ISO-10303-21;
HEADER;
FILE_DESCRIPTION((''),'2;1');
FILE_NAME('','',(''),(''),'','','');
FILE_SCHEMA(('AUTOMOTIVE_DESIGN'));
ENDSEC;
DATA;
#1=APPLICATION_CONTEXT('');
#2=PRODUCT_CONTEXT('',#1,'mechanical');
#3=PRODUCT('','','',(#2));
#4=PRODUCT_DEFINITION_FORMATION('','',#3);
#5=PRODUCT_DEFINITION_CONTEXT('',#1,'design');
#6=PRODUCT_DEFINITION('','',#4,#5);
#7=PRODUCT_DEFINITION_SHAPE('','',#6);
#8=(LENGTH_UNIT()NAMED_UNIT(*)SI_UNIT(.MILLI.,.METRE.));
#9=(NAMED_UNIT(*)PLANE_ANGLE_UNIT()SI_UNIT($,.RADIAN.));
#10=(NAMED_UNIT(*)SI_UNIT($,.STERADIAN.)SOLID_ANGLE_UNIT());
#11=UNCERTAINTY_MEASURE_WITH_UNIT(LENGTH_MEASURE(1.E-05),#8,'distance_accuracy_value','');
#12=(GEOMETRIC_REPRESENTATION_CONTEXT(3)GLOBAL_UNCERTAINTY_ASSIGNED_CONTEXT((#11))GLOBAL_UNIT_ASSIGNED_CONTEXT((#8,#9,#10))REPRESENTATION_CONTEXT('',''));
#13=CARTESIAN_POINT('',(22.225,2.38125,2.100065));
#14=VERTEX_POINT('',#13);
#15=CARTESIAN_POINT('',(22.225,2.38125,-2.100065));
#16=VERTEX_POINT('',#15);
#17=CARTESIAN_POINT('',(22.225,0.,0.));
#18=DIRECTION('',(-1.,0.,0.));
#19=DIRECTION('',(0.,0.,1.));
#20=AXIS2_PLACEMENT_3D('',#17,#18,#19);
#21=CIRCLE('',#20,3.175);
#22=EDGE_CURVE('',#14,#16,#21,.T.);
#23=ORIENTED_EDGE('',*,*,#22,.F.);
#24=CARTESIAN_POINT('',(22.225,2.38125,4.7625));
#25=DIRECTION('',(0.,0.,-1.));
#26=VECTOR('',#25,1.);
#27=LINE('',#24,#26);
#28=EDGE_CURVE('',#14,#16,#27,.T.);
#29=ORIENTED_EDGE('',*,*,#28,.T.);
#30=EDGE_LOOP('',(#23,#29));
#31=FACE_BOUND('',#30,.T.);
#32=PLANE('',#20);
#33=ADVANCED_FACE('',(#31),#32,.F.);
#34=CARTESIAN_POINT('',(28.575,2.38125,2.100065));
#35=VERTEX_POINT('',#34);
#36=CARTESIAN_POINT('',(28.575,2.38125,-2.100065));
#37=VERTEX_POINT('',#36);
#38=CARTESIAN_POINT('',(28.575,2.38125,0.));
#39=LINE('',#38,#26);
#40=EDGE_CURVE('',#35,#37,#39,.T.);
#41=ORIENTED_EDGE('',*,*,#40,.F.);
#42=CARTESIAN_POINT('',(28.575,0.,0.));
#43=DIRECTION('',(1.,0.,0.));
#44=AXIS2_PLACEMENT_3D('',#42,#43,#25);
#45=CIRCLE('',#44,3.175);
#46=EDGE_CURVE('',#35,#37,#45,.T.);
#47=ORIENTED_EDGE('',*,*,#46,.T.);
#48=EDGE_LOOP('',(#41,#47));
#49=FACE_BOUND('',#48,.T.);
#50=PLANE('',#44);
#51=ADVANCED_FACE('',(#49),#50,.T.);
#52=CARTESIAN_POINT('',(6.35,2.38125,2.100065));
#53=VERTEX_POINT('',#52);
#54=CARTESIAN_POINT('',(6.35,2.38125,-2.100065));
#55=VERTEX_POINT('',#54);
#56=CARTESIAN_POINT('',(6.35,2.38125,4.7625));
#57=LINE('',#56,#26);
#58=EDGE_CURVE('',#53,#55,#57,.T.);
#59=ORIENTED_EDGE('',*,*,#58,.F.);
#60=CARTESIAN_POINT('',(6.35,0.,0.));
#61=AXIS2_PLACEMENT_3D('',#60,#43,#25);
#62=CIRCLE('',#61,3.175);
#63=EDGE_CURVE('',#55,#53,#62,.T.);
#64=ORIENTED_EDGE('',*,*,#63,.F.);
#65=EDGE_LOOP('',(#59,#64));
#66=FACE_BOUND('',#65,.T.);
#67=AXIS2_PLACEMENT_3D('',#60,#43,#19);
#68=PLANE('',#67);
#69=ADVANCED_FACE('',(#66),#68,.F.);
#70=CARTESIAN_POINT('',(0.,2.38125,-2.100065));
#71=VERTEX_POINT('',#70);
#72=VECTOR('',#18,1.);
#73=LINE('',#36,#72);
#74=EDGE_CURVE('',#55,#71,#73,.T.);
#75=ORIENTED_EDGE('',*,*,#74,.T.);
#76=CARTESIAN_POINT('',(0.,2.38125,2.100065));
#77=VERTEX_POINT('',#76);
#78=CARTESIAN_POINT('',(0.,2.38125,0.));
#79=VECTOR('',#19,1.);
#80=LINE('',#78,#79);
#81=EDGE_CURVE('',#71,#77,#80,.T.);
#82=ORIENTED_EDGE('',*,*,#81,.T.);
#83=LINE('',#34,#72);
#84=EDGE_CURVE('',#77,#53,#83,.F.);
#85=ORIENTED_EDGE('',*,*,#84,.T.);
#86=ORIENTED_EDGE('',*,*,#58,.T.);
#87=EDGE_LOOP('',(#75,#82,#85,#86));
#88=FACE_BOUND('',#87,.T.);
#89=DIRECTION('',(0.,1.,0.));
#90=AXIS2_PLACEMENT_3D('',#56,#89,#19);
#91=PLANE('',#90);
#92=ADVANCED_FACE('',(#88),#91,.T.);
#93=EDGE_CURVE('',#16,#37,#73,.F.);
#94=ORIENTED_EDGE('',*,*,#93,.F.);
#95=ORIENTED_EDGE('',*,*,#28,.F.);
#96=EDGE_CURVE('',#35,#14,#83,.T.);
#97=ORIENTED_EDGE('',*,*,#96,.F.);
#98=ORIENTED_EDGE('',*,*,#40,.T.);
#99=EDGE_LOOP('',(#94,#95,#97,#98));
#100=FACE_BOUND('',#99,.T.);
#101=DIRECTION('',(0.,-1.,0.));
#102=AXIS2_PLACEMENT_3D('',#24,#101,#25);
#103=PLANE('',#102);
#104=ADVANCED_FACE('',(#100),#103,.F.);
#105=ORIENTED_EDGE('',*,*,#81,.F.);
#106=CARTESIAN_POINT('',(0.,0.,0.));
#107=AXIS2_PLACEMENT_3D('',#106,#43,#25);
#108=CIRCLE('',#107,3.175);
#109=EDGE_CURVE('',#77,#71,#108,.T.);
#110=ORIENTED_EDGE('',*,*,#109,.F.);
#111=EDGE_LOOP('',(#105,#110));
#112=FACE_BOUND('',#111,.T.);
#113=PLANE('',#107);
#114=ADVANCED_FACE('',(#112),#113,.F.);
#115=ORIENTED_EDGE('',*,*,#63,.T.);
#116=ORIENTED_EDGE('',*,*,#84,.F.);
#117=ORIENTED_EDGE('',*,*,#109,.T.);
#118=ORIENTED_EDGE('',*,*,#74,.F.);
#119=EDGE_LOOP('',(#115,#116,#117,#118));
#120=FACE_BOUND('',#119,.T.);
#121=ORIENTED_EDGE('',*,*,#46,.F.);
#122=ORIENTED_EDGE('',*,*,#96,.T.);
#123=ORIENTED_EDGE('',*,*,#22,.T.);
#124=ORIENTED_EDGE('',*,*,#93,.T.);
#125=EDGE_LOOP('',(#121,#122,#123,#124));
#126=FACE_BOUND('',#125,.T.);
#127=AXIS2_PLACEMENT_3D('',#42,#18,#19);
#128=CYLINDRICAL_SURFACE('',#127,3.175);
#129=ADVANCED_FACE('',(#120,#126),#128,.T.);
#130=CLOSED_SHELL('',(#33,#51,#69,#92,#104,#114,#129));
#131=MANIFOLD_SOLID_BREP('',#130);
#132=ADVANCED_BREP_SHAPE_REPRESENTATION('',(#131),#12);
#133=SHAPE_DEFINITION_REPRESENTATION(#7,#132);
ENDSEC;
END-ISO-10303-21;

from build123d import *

# Parameters (mm, degrees)
SKETCH1_R           = 3.175
BOSS_EXTRUDE1_DEPTH = 28.575
SKETCH2_W           = 9.525
SKETCH2_H           = 1.5875
CUT_EXTRUDE1_DEPTH  = 6.35


with BuildPart() as part:
    # Sketch1 → Boss-Extrude1 (new body)
    with BuildSketch(Plane(origin=(0, 0, 0), x_dir=(0, 0, -1), z_dir=(1, 0, 0))):
        Circle(SKETCH1_R)
    extrude(amount=BOSS_EXTRUDE1_DEPTH)

    # Sketch2 → Cut-Extrude1 (cut)
    with BuildSketch(Plane(origin=(28.575, 0, 0), x_dir=(0, 0, -1), z_dir=(1, 0, 0))):
        with Locations((0, 3.175)):
            Rectangle(SKETCH2_W, SKETCH2_H)
    cut_extrude1 = extrude(amount=-CUT_EXTRUDE1_DEPTH, mode=Mode.SUBTRACT)

    # Mirror1: Cut-Extrude1 across plane
    add(cut_extrude1.mirror(Plane(origin=(14.2875, 0, 0), x_dir=(0, 0, 1), z_dir=(1, 0, 0))), mode=Mode.SUBTRACT)


solid = part.part
